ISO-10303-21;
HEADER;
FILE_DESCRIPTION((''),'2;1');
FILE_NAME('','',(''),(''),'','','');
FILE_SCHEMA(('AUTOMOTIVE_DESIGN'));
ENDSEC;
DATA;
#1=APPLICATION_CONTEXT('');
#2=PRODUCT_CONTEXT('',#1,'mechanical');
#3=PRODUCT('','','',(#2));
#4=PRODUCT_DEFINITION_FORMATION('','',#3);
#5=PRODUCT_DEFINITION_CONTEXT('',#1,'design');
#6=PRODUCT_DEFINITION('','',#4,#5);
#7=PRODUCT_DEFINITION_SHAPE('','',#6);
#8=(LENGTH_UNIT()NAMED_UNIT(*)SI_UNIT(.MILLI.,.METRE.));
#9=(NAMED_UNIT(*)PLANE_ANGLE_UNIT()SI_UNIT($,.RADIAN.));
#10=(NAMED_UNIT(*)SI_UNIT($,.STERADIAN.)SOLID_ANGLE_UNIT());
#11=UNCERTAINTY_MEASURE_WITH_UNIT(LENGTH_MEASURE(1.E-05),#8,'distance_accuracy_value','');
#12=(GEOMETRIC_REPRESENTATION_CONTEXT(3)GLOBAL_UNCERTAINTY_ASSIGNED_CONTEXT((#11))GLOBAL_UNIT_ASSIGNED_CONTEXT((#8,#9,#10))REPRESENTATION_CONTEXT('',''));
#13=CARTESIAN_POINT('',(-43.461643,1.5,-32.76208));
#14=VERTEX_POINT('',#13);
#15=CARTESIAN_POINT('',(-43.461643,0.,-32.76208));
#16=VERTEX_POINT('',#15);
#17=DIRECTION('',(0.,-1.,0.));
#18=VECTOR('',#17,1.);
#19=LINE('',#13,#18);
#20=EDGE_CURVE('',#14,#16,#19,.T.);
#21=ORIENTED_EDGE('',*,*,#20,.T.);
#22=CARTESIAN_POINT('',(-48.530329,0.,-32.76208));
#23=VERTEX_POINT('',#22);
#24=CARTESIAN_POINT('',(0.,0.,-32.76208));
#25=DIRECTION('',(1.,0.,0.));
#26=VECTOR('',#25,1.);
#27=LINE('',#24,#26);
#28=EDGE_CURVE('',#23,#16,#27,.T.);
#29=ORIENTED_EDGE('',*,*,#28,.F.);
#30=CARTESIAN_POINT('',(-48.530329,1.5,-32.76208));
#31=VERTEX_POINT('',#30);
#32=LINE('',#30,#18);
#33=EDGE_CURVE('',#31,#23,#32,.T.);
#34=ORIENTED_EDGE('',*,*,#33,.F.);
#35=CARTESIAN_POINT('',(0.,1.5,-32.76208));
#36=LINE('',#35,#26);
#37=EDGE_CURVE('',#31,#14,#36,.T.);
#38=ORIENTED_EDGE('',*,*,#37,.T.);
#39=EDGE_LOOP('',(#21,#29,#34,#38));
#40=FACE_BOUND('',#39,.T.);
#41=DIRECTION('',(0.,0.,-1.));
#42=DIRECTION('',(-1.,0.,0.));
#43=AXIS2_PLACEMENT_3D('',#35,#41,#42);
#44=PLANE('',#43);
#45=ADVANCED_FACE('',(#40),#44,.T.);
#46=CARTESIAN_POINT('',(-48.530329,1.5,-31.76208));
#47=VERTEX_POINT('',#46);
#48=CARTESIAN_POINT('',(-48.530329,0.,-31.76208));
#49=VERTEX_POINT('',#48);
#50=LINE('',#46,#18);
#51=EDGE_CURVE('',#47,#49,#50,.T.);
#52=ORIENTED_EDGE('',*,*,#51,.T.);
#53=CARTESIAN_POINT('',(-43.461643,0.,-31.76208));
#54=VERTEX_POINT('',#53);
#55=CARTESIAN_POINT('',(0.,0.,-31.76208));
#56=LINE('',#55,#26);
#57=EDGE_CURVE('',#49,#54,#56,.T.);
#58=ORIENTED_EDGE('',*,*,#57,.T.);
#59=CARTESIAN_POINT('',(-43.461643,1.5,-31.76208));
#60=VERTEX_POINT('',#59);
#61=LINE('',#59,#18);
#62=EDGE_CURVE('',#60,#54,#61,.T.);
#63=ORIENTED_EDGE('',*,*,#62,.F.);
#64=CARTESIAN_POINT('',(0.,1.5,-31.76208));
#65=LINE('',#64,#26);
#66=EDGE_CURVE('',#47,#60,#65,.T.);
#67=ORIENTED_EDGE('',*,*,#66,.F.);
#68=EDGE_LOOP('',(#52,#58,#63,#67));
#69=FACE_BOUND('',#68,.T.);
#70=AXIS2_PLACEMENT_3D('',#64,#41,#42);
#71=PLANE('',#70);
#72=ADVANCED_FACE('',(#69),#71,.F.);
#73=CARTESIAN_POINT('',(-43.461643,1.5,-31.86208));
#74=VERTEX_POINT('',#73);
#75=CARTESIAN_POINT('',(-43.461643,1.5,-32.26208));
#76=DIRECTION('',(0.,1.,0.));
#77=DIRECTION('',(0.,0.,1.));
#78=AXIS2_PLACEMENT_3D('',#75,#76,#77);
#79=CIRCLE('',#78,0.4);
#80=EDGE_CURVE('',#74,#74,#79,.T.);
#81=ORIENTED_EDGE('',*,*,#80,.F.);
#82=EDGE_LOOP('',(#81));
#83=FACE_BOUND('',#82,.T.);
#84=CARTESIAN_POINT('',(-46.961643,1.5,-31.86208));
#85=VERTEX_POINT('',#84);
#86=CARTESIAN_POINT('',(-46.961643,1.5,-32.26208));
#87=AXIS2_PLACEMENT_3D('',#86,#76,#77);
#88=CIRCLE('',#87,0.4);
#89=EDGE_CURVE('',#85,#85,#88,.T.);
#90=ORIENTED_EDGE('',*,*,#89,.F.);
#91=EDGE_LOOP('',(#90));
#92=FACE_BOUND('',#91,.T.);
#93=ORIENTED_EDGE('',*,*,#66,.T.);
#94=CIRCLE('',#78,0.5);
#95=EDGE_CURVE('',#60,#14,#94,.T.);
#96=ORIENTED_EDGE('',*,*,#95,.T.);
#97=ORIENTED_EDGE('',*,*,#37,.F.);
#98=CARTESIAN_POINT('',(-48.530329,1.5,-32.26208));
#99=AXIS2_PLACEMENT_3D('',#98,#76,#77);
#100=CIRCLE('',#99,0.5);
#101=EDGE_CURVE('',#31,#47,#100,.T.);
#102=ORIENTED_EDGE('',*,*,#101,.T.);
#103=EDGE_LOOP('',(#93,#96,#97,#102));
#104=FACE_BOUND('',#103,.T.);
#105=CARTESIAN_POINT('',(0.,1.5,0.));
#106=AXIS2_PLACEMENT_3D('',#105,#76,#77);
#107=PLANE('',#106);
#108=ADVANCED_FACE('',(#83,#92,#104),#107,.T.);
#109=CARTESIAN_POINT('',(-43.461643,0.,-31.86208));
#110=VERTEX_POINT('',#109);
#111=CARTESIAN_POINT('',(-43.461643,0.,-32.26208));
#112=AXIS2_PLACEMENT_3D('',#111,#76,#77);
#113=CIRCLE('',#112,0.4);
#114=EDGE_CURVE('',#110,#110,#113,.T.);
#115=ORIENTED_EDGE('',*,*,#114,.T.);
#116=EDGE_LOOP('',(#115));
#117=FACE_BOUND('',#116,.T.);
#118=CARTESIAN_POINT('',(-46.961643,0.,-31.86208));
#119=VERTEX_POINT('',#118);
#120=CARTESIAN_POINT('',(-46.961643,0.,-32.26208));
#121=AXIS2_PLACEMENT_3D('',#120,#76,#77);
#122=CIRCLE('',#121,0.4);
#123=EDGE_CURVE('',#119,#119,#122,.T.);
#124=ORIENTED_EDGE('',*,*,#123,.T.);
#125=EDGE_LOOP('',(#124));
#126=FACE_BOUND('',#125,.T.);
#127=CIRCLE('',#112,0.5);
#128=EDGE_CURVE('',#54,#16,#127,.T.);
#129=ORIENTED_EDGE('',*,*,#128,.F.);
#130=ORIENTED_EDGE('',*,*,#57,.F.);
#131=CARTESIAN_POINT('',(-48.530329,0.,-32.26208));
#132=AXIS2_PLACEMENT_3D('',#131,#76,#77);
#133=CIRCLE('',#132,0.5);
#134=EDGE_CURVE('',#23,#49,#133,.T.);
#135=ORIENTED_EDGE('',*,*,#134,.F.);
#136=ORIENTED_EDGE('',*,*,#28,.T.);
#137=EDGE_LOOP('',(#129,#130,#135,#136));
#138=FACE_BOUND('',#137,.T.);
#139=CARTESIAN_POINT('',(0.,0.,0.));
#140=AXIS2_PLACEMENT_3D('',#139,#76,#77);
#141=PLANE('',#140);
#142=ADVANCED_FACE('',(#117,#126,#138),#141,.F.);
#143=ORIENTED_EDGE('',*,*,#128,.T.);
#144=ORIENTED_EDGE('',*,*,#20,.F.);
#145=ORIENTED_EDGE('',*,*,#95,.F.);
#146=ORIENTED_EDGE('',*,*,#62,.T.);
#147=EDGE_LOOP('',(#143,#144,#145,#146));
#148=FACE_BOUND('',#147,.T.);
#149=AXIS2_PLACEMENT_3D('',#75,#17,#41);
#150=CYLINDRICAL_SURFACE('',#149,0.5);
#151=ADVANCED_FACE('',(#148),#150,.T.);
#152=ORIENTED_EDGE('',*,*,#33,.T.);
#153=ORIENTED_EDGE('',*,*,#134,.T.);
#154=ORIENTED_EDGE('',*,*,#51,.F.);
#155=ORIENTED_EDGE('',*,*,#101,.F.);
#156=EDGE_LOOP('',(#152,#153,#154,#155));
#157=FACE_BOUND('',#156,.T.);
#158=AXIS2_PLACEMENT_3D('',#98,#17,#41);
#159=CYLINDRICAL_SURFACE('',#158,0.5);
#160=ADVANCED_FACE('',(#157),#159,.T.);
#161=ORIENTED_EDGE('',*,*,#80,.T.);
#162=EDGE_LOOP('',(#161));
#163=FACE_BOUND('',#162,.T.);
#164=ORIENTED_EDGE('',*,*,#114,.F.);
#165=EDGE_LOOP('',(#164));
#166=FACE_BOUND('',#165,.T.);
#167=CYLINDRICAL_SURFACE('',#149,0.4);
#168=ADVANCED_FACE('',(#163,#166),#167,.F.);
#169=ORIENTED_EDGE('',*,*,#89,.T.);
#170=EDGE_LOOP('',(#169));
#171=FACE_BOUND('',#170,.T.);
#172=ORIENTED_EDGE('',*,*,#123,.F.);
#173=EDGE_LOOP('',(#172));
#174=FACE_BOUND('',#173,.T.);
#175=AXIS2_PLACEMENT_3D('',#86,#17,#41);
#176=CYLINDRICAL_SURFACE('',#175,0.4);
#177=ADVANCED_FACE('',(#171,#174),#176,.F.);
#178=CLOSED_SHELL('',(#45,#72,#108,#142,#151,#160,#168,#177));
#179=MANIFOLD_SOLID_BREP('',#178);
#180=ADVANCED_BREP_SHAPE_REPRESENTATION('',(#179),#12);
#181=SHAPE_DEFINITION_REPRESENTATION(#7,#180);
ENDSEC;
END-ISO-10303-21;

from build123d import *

# Parameters (mm, degrees)
SKETCH1_R           = 0.4
BOSS_EXTRUDE1_DEPTH = 1.5


with BuildPart() as part:
    # Sketch1 → Boss-Extrude1 (new body)
    with BuildSketch(Plane(origin=(0, 0, 0), x_dir=(1, 0, 0), z_dir=(0, 1, 0))):
        with BuildLine():
            Line((-43.461642965, 32.7620803), (-48.53032857, 32.7620803))
            ThreePointArc((-48.53032857, 32.7620803), (-49.03032857, 32.2620803), (-48.53032857, 31.7620803))
            Line((-48.53032857, 31.7620803), (-43.461642965, 31.7620803))
            ThreePointArc((-43.461642965, 31.7620803), (-42.961642965, 32.2620803), (-43.461642965, 32.7620803))
        make_face()
        with BuildLine():
            ThreePointArc((-46.561642965, 32.2620803), (-46.961642965, 31.8620803), (-47.361642965, 32.2620803))
            ThreePointArc((-47.361642965, 32.2620803), (-46.961642965, 32.6620803), (-46.561642965, 32.2620803))
        make_face(mode=Mode.SUBTRACT)
        with Locations(Location((-43.461642965, 32.2620803, 0), (0, 0, 270))):
            Circle(SKETCH1_R, mode=Mode.SUBTRACT)
    extrude(amount=BOSS_EXTRUDE1_DEPTH)


solid = part.part
